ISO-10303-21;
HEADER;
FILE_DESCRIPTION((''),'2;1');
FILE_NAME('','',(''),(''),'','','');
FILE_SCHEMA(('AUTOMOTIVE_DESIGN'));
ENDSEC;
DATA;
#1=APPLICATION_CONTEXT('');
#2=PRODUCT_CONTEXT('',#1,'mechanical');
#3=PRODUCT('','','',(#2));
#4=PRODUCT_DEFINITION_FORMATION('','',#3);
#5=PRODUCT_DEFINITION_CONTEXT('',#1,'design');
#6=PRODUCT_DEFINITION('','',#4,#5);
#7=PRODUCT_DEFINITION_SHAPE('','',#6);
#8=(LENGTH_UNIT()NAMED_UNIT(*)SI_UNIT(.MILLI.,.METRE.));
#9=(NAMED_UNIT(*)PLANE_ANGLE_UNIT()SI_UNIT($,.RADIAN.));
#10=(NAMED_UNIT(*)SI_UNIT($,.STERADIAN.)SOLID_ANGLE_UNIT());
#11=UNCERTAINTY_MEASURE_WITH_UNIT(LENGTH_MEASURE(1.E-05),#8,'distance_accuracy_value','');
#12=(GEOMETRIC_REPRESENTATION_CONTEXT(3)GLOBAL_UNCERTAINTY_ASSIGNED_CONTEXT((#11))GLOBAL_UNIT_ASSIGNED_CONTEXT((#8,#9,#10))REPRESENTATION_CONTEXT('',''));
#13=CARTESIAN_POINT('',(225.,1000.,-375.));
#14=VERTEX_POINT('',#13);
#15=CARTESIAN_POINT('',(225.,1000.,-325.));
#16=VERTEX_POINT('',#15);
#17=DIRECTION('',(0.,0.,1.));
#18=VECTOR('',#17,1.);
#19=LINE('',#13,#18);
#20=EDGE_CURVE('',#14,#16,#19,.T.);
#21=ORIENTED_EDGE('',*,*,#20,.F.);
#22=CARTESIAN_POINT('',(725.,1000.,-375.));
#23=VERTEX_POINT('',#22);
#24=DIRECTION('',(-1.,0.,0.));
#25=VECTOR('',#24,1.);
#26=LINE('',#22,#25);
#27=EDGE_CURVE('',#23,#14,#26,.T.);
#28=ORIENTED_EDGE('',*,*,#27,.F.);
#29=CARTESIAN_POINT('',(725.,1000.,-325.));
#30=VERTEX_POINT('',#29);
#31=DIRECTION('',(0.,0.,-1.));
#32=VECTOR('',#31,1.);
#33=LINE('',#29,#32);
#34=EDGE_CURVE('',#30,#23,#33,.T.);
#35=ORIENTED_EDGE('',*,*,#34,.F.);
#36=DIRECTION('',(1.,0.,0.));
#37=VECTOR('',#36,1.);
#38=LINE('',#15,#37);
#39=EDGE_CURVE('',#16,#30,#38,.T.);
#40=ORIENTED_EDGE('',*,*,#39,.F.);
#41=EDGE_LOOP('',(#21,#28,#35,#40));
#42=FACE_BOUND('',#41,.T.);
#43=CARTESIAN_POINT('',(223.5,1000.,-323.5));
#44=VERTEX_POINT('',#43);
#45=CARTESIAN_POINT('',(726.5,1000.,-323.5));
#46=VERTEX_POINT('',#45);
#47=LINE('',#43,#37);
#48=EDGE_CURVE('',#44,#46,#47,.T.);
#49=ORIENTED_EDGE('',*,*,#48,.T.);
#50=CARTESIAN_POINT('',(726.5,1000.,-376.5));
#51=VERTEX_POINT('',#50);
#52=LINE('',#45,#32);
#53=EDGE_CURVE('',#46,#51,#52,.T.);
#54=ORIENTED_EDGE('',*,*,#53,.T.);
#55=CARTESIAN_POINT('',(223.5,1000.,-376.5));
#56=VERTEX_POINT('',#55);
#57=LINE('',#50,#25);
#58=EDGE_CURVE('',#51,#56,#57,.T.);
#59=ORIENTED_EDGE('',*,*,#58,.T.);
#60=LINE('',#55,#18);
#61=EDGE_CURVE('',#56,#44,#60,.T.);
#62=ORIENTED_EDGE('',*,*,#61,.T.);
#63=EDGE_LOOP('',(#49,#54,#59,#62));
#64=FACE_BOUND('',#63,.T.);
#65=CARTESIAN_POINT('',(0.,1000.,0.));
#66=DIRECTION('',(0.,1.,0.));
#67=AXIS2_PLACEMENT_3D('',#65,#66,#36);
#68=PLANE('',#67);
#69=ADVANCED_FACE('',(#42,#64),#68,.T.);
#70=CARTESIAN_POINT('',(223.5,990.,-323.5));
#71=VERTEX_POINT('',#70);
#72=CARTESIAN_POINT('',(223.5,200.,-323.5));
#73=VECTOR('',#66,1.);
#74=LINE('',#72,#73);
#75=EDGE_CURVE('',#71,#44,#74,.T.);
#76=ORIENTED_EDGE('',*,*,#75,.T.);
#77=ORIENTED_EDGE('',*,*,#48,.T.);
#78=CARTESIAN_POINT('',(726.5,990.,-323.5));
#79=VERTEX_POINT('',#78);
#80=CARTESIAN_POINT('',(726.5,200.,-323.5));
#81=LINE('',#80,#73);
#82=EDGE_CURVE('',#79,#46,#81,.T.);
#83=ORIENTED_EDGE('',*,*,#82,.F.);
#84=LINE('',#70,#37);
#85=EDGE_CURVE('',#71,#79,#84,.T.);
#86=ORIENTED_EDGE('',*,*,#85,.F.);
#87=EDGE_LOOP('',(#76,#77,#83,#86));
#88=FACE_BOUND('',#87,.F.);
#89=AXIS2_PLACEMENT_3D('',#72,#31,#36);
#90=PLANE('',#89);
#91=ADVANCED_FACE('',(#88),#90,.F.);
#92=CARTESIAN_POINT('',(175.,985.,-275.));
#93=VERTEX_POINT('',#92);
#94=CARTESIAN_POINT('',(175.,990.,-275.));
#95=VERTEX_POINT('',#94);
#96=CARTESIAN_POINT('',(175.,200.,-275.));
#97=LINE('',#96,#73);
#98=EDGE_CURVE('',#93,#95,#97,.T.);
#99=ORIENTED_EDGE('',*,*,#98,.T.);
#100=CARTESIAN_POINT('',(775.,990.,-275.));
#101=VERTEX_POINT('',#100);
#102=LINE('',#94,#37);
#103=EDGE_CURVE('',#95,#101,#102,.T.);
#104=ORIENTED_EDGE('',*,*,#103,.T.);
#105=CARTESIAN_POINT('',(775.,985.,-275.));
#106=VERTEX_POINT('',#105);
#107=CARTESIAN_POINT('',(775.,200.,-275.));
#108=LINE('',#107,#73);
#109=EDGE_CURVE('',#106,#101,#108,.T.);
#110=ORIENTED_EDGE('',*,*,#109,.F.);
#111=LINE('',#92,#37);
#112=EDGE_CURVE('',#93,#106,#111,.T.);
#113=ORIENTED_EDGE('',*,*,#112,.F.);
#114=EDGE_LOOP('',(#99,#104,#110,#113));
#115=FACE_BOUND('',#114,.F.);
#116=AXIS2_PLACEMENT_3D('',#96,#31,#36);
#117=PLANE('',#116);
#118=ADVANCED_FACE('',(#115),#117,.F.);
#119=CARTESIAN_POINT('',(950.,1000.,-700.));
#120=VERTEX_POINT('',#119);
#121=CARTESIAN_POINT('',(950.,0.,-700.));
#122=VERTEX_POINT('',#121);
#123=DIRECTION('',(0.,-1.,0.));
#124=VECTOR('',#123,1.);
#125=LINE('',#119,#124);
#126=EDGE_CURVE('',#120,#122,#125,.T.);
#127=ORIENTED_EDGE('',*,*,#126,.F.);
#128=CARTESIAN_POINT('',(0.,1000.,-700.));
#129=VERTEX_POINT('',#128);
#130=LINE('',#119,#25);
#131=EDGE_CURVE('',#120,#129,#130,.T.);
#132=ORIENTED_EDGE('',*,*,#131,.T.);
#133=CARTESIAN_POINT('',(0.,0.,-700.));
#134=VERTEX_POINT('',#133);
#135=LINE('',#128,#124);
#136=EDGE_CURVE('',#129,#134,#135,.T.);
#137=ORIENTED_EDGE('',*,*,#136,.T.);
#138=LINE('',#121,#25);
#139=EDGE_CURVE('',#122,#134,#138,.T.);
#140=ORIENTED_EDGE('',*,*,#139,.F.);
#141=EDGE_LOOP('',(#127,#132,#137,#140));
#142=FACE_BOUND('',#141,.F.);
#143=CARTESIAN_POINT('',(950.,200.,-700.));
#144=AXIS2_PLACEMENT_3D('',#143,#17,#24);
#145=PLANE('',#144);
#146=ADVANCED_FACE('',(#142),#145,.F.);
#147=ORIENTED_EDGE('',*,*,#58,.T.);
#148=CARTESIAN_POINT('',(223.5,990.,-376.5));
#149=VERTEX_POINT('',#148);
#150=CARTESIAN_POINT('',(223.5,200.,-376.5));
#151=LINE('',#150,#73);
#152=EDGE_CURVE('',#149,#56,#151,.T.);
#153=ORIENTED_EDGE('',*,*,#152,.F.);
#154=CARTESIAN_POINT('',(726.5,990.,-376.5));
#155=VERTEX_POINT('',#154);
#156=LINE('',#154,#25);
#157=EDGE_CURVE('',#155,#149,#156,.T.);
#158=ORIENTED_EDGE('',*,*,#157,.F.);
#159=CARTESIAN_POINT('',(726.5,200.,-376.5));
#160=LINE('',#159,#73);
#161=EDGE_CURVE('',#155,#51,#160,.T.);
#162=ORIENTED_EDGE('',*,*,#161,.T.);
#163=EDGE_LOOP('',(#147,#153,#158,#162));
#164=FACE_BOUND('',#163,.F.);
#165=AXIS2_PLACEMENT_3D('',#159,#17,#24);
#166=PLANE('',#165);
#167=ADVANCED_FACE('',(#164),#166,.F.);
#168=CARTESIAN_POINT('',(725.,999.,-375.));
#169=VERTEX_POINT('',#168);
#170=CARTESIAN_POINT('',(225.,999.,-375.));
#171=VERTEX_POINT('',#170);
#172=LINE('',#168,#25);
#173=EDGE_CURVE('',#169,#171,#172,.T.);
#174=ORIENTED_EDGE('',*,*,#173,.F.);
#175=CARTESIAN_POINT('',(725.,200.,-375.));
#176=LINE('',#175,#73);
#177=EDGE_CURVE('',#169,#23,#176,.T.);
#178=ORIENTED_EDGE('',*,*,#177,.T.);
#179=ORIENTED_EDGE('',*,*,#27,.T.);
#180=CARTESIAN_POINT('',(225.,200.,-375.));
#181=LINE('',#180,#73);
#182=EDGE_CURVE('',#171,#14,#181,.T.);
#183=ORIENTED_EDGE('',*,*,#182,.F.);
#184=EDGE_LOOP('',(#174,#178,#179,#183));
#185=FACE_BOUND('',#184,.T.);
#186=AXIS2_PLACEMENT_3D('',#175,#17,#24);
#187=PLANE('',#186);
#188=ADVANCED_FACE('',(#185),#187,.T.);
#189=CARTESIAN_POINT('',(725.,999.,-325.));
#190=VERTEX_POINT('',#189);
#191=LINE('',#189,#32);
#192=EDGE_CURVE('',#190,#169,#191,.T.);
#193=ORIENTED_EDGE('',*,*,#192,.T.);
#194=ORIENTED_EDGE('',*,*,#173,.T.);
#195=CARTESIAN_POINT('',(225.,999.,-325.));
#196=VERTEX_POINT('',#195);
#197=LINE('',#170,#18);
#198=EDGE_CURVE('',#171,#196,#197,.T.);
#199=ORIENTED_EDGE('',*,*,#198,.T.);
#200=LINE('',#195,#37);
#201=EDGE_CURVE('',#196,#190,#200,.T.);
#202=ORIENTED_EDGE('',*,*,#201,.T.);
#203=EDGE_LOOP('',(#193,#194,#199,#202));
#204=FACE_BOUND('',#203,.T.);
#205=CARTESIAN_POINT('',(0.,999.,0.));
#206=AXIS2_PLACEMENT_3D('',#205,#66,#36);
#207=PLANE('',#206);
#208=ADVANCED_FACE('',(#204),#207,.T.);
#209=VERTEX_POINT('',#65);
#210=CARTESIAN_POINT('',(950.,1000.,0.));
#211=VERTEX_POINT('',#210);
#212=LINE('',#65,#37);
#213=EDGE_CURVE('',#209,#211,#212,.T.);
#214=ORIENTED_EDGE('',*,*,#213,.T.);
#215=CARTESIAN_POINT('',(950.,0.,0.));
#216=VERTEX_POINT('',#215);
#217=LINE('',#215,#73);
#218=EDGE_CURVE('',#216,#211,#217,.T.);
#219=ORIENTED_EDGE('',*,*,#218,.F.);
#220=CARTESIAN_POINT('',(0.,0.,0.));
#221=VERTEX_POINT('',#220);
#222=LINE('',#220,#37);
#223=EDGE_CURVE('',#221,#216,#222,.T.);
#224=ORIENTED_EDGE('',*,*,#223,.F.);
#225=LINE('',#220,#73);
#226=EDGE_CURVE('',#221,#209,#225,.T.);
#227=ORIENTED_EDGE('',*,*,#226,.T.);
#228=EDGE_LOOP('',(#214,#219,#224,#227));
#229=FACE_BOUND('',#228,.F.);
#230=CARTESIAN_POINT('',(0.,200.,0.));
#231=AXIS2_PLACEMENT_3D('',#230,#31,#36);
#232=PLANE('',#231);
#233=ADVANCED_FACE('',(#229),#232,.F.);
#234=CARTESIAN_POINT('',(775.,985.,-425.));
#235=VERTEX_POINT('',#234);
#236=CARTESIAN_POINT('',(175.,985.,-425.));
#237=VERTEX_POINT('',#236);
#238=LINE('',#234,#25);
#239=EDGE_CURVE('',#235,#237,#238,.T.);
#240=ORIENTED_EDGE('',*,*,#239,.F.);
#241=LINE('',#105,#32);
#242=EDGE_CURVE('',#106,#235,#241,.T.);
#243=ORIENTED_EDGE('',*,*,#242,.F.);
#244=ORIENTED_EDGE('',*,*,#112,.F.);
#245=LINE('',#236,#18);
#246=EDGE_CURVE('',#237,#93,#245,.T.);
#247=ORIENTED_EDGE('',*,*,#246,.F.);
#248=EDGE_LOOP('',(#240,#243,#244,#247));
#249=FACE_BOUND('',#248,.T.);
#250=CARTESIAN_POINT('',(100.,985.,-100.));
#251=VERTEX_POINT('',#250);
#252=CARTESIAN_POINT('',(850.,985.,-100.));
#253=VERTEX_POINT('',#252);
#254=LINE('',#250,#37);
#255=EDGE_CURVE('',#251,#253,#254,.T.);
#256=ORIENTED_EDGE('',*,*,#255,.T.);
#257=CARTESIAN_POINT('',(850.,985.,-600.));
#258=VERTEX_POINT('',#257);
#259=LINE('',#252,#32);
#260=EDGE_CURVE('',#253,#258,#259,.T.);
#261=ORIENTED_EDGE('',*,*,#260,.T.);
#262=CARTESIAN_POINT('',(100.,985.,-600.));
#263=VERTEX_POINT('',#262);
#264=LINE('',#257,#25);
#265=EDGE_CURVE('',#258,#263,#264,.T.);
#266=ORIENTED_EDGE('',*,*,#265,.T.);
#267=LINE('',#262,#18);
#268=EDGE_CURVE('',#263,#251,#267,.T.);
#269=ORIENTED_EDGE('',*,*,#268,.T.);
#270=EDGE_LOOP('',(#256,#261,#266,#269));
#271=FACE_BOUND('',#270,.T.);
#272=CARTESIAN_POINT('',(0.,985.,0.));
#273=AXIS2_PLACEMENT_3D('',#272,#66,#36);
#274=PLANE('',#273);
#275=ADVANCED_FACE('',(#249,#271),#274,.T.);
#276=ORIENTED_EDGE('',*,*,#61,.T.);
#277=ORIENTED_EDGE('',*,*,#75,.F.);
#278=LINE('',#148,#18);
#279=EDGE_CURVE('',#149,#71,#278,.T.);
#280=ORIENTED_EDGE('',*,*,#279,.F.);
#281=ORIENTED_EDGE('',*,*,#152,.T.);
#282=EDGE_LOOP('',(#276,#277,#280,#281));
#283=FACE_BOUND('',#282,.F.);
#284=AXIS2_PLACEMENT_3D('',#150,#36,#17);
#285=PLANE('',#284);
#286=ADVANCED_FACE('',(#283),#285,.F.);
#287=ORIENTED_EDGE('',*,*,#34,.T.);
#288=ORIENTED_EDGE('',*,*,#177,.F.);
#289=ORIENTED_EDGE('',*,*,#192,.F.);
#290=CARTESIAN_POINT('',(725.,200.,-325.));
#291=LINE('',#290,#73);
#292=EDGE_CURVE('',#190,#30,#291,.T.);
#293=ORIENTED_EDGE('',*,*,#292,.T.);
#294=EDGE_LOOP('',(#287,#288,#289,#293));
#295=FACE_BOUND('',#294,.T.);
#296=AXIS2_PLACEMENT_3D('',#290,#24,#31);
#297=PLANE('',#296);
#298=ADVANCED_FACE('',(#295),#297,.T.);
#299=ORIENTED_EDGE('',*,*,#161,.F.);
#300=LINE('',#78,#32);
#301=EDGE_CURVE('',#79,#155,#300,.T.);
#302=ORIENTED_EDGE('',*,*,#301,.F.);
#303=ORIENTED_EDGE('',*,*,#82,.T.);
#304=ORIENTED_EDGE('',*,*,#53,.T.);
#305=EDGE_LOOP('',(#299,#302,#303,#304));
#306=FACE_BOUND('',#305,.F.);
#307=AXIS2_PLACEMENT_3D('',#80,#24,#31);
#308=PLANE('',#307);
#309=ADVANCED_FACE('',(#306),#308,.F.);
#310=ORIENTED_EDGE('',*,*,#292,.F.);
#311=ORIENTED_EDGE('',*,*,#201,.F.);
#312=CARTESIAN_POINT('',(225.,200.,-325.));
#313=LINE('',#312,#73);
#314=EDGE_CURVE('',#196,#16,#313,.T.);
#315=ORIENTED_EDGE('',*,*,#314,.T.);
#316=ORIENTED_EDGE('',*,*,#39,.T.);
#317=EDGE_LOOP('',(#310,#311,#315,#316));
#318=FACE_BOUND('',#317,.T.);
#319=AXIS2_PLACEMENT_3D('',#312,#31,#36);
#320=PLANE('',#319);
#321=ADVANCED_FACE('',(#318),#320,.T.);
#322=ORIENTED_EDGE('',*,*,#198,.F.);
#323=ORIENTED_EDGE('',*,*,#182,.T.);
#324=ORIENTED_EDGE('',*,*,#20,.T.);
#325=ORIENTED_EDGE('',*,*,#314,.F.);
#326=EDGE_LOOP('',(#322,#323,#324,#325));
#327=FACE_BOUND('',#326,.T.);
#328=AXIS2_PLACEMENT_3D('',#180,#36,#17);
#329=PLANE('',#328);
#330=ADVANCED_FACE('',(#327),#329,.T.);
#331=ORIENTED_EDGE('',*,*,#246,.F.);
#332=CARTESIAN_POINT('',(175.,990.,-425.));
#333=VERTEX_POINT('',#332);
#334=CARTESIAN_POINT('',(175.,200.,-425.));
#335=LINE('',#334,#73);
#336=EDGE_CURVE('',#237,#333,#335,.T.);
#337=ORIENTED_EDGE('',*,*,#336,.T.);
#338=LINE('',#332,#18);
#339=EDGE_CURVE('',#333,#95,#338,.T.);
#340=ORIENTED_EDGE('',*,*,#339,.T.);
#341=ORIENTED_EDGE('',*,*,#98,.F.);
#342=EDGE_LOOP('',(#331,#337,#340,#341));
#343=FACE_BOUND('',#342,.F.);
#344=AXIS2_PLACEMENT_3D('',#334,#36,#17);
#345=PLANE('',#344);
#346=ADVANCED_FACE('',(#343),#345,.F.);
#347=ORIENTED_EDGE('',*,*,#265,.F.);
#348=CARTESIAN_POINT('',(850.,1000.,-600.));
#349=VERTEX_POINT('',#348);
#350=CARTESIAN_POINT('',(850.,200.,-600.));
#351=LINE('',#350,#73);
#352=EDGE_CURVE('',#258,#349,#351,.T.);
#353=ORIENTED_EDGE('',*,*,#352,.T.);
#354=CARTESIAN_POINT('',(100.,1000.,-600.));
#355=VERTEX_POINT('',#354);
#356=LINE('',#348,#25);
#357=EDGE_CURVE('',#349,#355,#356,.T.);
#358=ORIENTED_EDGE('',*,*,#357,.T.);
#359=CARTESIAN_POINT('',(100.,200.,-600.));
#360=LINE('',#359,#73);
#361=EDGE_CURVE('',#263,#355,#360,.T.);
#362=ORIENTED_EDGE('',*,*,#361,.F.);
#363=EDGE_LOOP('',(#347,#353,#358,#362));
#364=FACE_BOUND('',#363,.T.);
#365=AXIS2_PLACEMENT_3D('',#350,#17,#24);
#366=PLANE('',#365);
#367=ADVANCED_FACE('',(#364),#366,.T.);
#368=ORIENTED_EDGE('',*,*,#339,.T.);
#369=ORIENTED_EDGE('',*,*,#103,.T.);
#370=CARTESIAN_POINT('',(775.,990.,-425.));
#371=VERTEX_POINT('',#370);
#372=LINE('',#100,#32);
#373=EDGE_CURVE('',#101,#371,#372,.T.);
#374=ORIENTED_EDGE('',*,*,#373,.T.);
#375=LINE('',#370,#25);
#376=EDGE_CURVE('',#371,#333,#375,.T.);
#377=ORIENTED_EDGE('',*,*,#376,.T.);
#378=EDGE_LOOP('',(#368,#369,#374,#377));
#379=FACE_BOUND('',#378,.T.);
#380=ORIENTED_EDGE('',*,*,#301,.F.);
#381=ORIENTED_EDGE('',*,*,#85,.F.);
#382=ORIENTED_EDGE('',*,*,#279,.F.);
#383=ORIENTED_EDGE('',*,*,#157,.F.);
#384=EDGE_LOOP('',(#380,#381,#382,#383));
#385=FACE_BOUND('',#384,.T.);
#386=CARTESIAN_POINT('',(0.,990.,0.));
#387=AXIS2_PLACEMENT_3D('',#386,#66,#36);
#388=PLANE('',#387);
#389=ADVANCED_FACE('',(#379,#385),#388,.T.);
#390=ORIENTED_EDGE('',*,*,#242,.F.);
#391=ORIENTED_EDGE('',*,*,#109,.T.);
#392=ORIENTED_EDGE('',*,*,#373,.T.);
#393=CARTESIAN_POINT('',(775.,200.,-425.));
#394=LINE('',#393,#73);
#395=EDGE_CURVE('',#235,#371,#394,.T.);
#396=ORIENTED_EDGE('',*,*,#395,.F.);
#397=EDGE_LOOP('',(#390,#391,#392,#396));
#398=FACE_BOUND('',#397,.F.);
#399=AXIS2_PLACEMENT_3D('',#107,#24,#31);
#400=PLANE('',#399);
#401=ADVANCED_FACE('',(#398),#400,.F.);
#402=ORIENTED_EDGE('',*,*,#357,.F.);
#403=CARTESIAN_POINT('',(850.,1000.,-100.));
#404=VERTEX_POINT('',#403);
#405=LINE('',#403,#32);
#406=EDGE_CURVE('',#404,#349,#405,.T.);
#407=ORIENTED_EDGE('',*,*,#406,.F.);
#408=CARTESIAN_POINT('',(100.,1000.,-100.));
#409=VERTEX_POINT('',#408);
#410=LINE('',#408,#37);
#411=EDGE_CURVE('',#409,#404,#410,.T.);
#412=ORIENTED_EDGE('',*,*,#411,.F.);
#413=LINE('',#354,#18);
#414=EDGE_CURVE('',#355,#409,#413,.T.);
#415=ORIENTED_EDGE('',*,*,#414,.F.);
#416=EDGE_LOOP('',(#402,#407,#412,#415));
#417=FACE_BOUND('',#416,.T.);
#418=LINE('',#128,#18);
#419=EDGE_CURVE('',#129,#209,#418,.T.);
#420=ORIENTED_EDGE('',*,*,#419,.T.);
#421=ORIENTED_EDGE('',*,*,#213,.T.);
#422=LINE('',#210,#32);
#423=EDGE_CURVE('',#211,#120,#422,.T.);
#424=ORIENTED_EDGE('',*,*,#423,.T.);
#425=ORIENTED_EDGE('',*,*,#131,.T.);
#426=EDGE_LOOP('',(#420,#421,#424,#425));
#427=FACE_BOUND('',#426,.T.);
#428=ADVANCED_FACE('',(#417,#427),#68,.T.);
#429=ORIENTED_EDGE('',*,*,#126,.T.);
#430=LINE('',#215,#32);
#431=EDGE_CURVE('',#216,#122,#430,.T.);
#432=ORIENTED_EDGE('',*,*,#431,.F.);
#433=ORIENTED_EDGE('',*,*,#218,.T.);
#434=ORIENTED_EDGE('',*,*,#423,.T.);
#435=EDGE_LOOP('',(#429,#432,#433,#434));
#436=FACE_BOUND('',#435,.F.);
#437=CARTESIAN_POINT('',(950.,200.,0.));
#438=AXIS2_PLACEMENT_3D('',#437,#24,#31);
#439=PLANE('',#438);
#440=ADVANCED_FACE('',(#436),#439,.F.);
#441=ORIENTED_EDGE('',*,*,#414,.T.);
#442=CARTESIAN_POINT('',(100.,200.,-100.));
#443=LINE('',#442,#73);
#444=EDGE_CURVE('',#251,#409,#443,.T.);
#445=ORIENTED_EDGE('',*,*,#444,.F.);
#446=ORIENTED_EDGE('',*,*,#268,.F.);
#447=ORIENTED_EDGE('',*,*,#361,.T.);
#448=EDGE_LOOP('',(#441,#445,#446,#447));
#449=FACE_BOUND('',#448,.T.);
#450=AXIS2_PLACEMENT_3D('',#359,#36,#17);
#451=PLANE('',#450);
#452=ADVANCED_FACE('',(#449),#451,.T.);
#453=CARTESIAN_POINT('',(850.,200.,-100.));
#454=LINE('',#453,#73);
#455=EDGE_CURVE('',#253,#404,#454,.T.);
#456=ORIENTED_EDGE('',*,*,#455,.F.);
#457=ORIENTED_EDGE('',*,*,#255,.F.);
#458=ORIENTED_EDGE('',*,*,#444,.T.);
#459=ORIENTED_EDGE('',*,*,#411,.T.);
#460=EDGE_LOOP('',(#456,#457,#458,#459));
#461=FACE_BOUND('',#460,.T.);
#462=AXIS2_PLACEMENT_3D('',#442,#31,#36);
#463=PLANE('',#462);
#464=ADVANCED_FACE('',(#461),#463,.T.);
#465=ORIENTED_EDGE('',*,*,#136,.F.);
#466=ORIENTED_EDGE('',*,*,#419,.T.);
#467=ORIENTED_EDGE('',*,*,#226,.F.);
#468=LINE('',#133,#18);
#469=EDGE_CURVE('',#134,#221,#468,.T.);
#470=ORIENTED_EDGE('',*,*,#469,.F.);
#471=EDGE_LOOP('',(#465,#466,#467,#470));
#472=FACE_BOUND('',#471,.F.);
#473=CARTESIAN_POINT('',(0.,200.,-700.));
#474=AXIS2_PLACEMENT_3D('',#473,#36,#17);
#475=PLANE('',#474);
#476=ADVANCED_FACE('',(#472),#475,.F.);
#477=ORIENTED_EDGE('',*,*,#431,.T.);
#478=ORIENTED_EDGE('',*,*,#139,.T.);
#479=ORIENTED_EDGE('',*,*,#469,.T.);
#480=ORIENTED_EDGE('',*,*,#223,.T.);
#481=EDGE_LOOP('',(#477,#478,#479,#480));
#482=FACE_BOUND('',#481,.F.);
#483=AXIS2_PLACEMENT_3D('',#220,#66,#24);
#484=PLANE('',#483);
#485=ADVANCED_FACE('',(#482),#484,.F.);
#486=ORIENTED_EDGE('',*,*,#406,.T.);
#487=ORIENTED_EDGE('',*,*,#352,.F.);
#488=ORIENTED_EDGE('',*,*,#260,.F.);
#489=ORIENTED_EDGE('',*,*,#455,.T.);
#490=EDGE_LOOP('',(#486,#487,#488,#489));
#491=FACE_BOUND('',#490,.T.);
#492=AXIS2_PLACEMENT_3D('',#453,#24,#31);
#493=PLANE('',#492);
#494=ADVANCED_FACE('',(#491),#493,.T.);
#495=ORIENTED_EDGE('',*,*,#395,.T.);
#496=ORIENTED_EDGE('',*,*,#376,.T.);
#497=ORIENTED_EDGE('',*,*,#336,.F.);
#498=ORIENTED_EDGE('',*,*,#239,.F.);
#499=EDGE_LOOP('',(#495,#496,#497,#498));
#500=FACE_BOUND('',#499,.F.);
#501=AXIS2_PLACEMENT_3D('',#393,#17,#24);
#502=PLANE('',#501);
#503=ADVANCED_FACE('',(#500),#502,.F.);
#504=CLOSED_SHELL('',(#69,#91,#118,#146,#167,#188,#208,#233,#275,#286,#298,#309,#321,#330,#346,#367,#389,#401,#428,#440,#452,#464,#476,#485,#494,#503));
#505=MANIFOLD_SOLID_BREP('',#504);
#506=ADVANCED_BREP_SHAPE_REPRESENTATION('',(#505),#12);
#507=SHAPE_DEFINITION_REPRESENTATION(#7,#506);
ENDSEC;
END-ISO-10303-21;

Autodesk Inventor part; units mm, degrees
ref_plane "YZ Plane" through (0, 0, 0) normal (1, 0, 0) x (0, 1, 0)
ref_plane "XZ Plane" through (0, 0, 0) normal (0, 1, 0) x (-1, 0, 0)
ref_plane "XY Plane" through (0, 0, 0) normal (0, 0, 1) x (1, 0, 0)
sketch "Sketch1" plane through (0, 0, 0) normal (0, 1, 0) x (-1, 0, 0)
  point P0 (0, 0)
sketch "Sketch2" plane through (0, 0, 0) normal (0, 1, 0) x (-1, 0, 0)
  line L0 (0, 0) -> (-950, 0)
  line L1 (-950, 0) -> (-950, -700)
  line L2 (-950, -700) -> (0, -700)
  line L3 (0, -700) -> (0, 0)
  dimension "d0" = 700
  dimension "d2" = 950
extrude "Extrusion1" add sketch "Sketch2" along normal blind 200
sketch "Sketch4" plane through (0, 200, 0) normal (0, 1, 0) x (1, 0, 0)
  line L0 (0, 0) -> (950, 0) projected
  line L1 (0, 700) -> (0, 0) projected
  line L2 (0, 0) -> (950, 0)
  line L3 (950, 0) -> (950, 700)
  line L4 (950, 700) -> (0, 700)
  line L5 (0, 700) -> (0, 0)
  line L6 (100, 100) -> (850, 100)
  line L7 (850, 100) -> (850, 600)
  line L8 (850, 600) -> (100, 600)
  line L9 (100, 600) -> (100, 100)
  line L10 (175, 275) -> (775, 275)
  line L11 (775, 275) -> (775, 425)
  line L12 (775, 425) -> (175, 425)
  line L13 (175, 425) -> (175, 275)
  line L14 (223.5, 323.5) -> (726.5, 323.5)
  line L15 (726.5, 323.5) -> (726.5, 376.5)
  line L16 (726.5, 376.5) -> (223.5, 376.5)
  line L17 (223.5, 376.5) -> (223.5, 323.5)
  line L18 (225, 325) -> (725, 325)
  line L19 (725, 325) -> (725, 375)
  line L20 (725, 375) -> (225, 375)
  line L21 (225, 375) -> (225, 325)
  dimension "d20" = 1.5
  dimension "d22" = 1.5
  dimension "d23" = 1.5
  dimension "d24" = 1.5
  dimension "d25" = 750
  dimension "d26" = 600
  dimension "d27" = 500
  dimension "d28" = 150
  dimension "d29" = 50
  dimension "d30" = 50
  dimension "d31" = 100
  dimension "d32" = 100
  dimension "d33" = 75
  dimension "d34" = 175
  dimension "d35" = 500
  dimension "d36" = 50
extrude "Extrusion3" add sketch "Sketch4" along normal blind 800 contours L17 L16 L15 L14
extrude "Extrusion4" add sketch "Sketch4" along normal blind 790 contours L13 L12 L11 L10
extrude "Extrusion5" add sketch "Sketch4" along normal blind 785 contours L9 L8 L7 L6
extrude "Extrusion6" add sketch "Sketch4" along normal blind 800 contours L1 L4 L3 L0
extrude "Extrusion7" add sketch "Sketch4" along normal blind 799 contours L21 L20 L19 L18
properties part number "UMD_Gas_Burner"
